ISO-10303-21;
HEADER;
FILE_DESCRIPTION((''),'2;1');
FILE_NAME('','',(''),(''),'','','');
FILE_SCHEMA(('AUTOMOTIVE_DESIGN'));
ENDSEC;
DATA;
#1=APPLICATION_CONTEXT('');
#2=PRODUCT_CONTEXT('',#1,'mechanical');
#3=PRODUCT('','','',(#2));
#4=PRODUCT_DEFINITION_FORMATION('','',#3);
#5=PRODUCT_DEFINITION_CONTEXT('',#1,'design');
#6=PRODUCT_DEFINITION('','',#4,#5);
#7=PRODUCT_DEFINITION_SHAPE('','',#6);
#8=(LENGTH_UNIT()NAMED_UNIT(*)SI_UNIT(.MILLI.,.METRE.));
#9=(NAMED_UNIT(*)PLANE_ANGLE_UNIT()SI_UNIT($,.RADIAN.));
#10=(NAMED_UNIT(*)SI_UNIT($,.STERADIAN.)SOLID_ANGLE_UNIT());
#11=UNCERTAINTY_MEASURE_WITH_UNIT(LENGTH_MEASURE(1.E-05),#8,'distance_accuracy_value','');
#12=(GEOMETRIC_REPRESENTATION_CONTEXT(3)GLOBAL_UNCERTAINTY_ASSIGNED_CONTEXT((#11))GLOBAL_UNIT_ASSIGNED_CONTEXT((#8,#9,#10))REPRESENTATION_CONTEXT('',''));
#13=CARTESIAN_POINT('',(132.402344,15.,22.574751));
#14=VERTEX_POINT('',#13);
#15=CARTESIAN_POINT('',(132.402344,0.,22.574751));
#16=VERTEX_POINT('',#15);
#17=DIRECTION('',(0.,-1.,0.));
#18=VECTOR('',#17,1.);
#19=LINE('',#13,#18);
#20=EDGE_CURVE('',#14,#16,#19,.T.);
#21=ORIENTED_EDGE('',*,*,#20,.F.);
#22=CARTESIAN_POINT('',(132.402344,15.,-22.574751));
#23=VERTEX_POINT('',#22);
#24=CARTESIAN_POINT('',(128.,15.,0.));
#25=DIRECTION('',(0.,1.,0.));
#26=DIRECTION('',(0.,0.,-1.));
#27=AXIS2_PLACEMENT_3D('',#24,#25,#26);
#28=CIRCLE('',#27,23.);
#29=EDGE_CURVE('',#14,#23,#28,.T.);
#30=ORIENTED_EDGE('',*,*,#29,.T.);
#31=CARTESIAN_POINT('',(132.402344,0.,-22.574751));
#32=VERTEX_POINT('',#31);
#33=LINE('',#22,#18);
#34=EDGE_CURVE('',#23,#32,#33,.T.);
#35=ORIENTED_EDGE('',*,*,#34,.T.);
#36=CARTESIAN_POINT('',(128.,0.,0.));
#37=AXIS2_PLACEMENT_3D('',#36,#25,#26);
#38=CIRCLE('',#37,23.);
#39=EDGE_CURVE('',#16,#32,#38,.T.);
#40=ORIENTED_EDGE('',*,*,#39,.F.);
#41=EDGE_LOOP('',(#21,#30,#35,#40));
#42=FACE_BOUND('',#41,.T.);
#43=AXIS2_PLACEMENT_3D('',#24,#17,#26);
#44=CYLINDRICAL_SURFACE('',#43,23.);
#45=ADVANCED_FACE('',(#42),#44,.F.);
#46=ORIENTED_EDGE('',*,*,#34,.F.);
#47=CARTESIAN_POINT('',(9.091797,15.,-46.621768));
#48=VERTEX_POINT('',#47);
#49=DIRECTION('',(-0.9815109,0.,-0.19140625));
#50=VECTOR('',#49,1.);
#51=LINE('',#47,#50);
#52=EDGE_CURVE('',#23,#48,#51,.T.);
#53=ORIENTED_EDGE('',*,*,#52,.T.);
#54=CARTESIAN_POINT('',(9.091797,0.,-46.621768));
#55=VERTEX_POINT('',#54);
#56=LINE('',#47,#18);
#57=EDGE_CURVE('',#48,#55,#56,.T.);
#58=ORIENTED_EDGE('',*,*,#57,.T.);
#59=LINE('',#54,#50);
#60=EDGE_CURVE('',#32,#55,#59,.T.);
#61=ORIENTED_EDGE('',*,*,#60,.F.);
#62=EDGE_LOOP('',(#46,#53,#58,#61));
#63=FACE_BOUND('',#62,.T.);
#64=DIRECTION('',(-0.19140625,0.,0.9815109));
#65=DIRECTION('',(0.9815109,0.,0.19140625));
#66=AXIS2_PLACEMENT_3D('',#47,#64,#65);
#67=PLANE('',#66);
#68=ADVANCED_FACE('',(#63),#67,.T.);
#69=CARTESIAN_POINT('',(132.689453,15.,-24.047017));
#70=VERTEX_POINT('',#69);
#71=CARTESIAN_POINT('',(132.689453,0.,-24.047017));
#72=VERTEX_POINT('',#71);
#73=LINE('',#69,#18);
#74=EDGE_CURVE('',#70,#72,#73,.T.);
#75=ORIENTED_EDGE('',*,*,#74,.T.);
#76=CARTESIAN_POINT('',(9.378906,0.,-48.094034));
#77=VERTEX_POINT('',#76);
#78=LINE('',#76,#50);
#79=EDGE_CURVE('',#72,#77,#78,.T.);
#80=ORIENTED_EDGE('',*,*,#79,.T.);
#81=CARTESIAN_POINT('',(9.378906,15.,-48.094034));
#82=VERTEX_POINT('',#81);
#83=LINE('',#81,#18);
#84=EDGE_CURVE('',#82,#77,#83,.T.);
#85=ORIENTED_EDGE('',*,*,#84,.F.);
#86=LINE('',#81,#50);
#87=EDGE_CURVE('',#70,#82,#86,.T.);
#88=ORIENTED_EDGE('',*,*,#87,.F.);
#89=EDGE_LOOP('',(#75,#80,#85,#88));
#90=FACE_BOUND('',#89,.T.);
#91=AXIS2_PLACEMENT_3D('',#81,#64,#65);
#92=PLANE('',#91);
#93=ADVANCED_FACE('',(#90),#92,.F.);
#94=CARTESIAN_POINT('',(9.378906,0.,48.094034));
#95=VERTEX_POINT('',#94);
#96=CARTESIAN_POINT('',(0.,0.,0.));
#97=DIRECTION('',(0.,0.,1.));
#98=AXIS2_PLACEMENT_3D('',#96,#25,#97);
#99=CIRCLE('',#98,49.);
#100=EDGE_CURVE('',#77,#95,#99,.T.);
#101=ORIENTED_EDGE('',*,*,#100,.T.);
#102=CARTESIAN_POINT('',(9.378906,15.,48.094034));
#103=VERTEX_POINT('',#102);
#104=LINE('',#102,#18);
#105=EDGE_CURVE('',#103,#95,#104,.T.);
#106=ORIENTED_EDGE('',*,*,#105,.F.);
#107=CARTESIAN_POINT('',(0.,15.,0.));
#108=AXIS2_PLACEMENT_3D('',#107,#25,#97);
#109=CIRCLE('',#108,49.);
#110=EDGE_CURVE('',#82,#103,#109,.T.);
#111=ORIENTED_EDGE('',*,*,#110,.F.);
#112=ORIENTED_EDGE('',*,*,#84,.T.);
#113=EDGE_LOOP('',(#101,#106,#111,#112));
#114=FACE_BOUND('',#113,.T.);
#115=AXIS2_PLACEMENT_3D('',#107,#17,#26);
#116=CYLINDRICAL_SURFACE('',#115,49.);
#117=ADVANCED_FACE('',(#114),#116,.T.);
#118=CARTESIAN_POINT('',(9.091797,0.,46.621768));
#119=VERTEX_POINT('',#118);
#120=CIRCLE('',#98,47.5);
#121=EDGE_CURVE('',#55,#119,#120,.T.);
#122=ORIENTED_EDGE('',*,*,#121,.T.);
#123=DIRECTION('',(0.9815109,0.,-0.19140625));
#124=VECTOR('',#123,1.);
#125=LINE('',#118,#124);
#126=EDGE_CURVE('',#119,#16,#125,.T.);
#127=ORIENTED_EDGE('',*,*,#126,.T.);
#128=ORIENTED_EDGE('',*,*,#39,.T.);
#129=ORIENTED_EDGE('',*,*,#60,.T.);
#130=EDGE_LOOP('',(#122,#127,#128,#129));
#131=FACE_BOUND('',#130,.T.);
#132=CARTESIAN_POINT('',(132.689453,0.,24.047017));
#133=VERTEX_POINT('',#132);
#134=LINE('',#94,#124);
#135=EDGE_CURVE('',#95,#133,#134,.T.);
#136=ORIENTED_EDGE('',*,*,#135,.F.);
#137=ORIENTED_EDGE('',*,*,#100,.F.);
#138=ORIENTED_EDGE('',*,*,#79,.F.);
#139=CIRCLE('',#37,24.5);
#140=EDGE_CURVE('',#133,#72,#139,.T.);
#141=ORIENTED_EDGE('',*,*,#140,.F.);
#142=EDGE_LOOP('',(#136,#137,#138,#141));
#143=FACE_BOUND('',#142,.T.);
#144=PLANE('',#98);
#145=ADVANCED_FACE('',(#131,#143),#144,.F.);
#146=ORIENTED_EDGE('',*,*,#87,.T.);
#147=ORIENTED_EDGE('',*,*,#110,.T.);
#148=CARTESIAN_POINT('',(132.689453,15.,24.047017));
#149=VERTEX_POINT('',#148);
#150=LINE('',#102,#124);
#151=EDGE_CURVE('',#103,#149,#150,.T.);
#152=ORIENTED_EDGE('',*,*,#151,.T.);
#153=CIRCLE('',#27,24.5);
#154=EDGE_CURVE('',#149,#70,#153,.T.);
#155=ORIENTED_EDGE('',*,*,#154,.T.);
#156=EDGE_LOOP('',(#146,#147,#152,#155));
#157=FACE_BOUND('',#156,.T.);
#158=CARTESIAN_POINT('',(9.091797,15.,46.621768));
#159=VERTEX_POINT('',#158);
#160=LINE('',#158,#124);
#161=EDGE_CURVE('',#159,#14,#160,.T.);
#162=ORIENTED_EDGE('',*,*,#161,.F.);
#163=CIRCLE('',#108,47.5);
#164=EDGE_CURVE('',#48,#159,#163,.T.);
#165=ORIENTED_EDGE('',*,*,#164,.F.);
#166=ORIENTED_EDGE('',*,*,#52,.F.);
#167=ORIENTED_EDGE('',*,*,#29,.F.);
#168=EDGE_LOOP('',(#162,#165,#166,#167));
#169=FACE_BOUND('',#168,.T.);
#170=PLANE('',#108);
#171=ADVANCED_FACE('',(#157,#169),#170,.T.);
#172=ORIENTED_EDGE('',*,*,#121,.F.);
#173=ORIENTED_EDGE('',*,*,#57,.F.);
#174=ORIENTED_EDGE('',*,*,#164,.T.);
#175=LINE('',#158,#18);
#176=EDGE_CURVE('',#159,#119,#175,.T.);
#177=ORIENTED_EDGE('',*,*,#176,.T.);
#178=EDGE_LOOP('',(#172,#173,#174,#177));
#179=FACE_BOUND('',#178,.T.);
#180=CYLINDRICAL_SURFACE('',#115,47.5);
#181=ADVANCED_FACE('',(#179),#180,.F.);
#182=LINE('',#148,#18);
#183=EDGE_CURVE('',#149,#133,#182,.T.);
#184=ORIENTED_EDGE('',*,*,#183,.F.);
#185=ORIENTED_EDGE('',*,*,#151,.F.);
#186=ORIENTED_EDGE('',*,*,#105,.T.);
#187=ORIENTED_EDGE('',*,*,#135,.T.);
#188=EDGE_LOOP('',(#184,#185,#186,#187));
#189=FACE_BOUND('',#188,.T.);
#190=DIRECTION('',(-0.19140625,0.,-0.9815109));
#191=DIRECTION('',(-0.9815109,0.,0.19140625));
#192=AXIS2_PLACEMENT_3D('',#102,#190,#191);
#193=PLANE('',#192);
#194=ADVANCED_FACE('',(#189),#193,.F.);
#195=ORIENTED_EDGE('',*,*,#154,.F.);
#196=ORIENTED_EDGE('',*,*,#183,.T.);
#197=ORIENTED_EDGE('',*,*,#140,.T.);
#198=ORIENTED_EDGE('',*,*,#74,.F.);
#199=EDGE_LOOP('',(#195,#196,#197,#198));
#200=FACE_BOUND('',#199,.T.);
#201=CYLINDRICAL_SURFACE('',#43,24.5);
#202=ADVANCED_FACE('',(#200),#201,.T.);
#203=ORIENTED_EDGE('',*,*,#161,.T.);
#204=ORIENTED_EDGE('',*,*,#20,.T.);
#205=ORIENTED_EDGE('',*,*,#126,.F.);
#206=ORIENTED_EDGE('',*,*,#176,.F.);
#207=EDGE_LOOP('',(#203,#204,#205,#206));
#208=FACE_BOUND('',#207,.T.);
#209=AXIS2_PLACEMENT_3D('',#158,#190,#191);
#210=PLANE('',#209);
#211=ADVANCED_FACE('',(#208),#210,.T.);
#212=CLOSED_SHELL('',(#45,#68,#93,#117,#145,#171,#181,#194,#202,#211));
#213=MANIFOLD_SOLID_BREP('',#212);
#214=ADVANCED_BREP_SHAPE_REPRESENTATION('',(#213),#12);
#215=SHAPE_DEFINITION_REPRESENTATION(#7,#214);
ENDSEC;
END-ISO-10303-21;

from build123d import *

# Parameters (mm, degrees)
EXTRUDE_1_DEPTH = 15


with BuildPart() as part:
    # 草图1 → 凸台-拉伸1 (new body)
    with BuildSketch(Plane(origin=(0, 0, 0), x_dir=(1, 0, 0), z_dir=(0, 1, 0))):
        with BuildLine():
            Line((9.37890625, -48.094034116), (132.689453125, -24.047017058))
            ThreePointArc((132.689453125, -24.047017058), (152.5, 0), (132.689453125, 24.047017058))
            Line((132.689453125, 24.047017058), (9.37890625, 48.094034116))
            ThreePointArc((9.37890625, 48.094034116), (-49, 0), (9.37890625, -48.094034116))
        make_face()
        with BuildLine():
            Line((9.091796875, 46.621767766), (132.40234375, 22.574750708))
            ThreePointArc((132.40234375, 22.574750708), (151, 0), (132.40234375, -22.574750708))
            Line((132.40234375, -22.574750708), (9.091796875, -46.621767766))
            ThreePointArc((9.091796875, -46.621767766), (-47.5, 0), (9.091796875, 46.621767766))
        make_face(mode=Mode.SUBTRACT)
    extrude(amount=EXTRUDE_1_DEPTH)


solid = part.part
